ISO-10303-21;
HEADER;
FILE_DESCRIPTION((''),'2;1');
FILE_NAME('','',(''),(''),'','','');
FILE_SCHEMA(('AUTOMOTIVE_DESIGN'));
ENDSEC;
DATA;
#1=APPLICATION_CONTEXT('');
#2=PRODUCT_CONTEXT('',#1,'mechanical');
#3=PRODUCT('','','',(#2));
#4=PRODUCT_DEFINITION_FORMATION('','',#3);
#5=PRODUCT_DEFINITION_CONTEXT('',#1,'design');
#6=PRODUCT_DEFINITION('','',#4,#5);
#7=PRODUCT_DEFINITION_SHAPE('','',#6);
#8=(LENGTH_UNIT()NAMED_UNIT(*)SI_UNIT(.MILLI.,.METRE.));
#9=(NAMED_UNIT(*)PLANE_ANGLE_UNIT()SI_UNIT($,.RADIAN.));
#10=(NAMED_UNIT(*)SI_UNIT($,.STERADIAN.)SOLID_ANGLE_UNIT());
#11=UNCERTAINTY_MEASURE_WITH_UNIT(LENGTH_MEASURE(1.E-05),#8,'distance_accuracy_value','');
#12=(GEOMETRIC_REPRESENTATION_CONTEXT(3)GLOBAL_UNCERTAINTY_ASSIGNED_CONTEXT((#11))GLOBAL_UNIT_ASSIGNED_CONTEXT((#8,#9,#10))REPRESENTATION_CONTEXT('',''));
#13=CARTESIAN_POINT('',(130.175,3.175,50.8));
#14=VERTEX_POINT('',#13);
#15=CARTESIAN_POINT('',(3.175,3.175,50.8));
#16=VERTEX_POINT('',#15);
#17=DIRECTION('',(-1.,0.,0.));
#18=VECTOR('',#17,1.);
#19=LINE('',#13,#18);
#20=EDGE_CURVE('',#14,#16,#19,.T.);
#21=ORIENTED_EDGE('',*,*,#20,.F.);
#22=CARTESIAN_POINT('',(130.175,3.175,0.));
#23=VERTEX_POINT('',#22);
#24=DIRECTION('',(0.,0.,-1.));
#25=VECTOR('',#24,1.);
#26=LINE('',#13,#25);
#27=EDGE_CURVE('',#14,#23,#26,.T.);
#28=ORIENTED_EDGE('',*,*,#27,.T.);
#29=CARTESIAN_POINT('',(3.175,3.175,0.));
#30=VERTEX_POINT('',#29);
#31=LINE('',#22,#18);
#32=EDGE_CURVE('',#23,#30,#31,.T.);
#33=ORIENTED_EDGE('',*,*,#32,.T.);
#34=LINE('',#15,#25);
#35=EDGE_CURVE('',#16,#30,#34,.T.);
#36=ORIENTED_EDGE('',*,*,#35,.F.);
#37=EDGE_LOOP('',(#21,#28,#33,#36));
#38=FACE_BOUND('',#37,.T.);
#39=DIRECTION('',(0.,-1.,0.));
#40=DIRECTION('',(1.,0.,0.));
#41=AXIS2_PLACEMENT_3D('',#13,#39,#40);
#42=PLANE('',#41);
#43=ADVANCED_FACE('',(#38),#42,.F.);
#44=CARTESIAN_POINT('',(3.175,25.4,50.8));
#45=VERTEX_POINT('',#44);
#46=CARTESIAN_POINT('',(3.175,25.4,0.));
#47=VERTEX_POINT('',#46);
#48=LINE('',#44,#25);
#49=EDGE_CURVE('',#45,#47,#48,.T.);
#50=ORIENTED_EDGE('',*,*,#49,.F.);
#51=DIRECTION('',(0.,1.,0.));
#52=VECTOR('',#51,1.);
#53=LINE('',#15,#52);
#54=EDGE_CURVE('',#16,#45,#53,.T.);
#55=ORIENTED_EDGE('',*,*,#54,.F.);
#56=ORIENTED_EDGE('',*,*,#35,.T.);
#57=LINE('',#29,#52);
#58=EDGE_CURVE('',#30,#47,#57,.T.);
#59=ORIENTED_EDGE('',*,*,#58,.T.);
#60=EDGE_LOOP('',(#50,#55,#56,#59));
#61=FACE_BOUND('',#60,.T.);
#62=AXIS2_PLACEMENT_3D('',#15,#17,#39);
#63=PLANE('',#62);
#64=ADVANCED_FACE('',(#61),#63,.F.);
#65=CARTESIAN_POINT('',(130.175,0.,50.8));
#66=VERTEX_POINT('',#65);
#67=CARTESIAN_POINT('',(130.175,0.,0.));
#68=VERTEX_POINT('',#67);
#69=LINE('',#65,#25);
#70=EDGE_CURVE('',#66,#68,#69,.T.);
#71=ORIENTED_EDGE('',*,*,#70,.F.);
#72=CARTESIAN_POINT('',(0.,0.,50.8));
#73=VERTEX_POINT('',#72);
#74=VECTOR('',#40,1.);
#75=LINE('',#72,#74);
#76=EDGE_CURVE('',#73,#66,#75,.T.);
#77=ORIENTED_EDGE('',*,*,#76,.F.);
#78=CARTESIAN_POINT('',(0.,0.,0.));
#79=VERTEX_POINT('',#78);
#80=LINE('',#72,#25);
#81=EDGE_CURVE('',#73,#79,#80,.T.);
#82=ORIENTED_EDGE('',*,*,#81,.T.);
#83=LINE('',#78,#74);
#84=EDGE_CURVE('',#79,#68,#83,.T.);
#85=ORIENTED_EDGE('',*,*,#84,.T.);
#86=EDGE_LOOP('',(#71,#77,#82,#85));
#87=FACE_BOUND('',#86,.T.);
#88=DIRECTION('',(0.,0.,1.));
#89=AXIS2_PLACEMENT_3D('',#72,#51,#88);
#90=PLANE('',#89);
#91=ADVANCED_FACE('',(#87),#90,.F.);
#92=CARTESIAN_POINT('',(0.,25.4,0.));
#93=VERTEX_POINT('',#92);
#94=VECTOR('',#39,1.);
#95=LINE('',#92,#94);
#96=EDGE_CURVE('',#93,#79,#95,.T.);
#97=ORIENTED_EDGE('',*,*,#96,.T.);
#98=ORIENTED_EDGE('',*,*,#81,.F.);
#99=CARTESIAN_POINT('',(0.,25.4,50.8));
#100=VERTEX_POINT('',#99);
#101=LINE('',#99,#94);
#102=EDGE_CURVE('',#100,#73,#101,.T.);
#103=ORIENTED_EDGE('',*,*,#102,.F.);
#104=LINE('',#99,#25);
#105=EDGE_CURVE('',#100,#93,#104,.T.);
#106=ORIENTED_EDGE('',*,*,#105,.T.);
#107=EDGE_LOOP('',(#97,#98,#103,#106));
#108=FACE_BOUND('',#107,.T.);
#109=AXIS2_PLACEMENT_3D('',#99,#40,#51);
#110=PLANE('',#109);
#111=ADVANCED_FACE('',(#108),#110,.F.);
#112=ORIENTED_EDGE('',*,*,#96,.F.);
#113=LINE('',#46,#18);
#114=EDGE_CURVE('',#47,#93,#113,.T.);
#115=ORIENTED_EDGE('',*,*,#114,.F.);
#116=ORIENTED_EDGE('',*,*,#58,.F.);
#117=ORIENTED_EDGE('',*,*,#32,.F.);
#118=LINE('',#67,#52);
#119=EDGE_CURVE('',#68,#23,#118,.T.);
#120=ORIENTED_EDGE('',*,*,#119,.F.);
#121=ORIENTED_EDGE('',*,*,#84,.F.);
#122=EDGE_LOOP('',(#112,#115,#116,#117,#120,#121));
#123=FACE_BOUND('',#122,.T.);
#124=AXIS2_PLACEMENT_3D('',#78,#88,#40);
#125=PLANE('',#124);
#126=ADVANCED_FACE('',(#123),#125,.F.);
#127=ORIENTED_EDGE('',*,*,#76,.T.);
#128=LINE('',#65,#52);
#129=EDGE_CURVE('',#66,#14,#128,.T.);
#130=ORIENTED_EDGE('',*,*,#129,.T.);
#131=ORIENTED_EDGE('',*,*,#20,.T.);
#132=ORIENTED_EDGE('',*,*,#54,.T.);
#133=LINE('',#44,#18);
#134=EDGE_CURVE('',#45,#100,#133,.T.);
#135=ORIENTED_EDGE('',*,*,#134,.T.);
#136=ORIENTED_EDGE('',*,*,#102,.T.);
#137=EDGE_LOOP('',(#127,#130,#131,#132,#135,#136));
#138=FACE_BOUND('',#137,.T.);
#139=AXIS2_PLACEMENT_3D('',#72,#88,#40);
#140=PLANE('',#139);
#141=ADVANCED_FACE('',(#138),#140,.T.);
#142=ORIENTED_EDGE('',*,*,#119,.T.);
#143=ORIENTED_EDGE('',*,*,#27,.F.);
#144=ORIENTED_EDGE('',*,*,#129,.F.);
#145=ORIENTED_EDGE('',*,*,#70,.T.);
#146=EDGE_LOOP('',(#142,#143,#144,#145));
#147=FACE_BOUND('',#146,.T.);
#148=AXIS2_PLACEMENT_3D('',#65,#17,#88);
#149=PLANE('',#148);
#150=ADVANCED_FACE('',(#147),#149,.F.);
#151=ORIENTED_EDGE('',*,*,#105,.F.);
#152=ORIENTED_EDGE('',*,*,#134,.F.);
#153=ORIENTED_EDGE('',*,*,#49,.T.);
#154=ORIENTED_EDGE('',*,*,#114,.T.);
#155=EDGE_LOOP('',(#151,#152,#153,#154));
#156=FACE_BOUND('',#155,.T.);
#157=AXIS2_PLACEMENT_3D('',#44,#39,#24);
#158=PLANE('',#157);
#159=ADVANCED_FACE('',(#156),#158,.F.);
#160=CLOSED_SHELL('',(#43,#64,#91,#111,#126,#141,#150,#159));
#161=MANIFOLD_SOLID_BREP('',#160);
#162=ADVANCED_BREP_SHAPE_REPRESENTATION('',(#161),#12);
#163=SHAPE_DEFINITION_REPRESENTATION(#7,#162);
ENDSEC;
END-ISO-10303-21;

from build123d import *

# Parameters (mm, degrees)
BOSS_EXTRUDE1_DEPTH = 50.8


with BuildPart() as part:
    # Sketch1 → Boss-Extrude1 (new body)
    with BuildSketch(Plane.XY):
        Polygon((0, 0), (130.175, 0), (130.175, 3.175), (3.175, 3.175), (3.175, 25.4), (0, 25.4), align=None)
    extrude(amount=BOSS_EXTRUDE1_DEPTH)


solid = part.part
